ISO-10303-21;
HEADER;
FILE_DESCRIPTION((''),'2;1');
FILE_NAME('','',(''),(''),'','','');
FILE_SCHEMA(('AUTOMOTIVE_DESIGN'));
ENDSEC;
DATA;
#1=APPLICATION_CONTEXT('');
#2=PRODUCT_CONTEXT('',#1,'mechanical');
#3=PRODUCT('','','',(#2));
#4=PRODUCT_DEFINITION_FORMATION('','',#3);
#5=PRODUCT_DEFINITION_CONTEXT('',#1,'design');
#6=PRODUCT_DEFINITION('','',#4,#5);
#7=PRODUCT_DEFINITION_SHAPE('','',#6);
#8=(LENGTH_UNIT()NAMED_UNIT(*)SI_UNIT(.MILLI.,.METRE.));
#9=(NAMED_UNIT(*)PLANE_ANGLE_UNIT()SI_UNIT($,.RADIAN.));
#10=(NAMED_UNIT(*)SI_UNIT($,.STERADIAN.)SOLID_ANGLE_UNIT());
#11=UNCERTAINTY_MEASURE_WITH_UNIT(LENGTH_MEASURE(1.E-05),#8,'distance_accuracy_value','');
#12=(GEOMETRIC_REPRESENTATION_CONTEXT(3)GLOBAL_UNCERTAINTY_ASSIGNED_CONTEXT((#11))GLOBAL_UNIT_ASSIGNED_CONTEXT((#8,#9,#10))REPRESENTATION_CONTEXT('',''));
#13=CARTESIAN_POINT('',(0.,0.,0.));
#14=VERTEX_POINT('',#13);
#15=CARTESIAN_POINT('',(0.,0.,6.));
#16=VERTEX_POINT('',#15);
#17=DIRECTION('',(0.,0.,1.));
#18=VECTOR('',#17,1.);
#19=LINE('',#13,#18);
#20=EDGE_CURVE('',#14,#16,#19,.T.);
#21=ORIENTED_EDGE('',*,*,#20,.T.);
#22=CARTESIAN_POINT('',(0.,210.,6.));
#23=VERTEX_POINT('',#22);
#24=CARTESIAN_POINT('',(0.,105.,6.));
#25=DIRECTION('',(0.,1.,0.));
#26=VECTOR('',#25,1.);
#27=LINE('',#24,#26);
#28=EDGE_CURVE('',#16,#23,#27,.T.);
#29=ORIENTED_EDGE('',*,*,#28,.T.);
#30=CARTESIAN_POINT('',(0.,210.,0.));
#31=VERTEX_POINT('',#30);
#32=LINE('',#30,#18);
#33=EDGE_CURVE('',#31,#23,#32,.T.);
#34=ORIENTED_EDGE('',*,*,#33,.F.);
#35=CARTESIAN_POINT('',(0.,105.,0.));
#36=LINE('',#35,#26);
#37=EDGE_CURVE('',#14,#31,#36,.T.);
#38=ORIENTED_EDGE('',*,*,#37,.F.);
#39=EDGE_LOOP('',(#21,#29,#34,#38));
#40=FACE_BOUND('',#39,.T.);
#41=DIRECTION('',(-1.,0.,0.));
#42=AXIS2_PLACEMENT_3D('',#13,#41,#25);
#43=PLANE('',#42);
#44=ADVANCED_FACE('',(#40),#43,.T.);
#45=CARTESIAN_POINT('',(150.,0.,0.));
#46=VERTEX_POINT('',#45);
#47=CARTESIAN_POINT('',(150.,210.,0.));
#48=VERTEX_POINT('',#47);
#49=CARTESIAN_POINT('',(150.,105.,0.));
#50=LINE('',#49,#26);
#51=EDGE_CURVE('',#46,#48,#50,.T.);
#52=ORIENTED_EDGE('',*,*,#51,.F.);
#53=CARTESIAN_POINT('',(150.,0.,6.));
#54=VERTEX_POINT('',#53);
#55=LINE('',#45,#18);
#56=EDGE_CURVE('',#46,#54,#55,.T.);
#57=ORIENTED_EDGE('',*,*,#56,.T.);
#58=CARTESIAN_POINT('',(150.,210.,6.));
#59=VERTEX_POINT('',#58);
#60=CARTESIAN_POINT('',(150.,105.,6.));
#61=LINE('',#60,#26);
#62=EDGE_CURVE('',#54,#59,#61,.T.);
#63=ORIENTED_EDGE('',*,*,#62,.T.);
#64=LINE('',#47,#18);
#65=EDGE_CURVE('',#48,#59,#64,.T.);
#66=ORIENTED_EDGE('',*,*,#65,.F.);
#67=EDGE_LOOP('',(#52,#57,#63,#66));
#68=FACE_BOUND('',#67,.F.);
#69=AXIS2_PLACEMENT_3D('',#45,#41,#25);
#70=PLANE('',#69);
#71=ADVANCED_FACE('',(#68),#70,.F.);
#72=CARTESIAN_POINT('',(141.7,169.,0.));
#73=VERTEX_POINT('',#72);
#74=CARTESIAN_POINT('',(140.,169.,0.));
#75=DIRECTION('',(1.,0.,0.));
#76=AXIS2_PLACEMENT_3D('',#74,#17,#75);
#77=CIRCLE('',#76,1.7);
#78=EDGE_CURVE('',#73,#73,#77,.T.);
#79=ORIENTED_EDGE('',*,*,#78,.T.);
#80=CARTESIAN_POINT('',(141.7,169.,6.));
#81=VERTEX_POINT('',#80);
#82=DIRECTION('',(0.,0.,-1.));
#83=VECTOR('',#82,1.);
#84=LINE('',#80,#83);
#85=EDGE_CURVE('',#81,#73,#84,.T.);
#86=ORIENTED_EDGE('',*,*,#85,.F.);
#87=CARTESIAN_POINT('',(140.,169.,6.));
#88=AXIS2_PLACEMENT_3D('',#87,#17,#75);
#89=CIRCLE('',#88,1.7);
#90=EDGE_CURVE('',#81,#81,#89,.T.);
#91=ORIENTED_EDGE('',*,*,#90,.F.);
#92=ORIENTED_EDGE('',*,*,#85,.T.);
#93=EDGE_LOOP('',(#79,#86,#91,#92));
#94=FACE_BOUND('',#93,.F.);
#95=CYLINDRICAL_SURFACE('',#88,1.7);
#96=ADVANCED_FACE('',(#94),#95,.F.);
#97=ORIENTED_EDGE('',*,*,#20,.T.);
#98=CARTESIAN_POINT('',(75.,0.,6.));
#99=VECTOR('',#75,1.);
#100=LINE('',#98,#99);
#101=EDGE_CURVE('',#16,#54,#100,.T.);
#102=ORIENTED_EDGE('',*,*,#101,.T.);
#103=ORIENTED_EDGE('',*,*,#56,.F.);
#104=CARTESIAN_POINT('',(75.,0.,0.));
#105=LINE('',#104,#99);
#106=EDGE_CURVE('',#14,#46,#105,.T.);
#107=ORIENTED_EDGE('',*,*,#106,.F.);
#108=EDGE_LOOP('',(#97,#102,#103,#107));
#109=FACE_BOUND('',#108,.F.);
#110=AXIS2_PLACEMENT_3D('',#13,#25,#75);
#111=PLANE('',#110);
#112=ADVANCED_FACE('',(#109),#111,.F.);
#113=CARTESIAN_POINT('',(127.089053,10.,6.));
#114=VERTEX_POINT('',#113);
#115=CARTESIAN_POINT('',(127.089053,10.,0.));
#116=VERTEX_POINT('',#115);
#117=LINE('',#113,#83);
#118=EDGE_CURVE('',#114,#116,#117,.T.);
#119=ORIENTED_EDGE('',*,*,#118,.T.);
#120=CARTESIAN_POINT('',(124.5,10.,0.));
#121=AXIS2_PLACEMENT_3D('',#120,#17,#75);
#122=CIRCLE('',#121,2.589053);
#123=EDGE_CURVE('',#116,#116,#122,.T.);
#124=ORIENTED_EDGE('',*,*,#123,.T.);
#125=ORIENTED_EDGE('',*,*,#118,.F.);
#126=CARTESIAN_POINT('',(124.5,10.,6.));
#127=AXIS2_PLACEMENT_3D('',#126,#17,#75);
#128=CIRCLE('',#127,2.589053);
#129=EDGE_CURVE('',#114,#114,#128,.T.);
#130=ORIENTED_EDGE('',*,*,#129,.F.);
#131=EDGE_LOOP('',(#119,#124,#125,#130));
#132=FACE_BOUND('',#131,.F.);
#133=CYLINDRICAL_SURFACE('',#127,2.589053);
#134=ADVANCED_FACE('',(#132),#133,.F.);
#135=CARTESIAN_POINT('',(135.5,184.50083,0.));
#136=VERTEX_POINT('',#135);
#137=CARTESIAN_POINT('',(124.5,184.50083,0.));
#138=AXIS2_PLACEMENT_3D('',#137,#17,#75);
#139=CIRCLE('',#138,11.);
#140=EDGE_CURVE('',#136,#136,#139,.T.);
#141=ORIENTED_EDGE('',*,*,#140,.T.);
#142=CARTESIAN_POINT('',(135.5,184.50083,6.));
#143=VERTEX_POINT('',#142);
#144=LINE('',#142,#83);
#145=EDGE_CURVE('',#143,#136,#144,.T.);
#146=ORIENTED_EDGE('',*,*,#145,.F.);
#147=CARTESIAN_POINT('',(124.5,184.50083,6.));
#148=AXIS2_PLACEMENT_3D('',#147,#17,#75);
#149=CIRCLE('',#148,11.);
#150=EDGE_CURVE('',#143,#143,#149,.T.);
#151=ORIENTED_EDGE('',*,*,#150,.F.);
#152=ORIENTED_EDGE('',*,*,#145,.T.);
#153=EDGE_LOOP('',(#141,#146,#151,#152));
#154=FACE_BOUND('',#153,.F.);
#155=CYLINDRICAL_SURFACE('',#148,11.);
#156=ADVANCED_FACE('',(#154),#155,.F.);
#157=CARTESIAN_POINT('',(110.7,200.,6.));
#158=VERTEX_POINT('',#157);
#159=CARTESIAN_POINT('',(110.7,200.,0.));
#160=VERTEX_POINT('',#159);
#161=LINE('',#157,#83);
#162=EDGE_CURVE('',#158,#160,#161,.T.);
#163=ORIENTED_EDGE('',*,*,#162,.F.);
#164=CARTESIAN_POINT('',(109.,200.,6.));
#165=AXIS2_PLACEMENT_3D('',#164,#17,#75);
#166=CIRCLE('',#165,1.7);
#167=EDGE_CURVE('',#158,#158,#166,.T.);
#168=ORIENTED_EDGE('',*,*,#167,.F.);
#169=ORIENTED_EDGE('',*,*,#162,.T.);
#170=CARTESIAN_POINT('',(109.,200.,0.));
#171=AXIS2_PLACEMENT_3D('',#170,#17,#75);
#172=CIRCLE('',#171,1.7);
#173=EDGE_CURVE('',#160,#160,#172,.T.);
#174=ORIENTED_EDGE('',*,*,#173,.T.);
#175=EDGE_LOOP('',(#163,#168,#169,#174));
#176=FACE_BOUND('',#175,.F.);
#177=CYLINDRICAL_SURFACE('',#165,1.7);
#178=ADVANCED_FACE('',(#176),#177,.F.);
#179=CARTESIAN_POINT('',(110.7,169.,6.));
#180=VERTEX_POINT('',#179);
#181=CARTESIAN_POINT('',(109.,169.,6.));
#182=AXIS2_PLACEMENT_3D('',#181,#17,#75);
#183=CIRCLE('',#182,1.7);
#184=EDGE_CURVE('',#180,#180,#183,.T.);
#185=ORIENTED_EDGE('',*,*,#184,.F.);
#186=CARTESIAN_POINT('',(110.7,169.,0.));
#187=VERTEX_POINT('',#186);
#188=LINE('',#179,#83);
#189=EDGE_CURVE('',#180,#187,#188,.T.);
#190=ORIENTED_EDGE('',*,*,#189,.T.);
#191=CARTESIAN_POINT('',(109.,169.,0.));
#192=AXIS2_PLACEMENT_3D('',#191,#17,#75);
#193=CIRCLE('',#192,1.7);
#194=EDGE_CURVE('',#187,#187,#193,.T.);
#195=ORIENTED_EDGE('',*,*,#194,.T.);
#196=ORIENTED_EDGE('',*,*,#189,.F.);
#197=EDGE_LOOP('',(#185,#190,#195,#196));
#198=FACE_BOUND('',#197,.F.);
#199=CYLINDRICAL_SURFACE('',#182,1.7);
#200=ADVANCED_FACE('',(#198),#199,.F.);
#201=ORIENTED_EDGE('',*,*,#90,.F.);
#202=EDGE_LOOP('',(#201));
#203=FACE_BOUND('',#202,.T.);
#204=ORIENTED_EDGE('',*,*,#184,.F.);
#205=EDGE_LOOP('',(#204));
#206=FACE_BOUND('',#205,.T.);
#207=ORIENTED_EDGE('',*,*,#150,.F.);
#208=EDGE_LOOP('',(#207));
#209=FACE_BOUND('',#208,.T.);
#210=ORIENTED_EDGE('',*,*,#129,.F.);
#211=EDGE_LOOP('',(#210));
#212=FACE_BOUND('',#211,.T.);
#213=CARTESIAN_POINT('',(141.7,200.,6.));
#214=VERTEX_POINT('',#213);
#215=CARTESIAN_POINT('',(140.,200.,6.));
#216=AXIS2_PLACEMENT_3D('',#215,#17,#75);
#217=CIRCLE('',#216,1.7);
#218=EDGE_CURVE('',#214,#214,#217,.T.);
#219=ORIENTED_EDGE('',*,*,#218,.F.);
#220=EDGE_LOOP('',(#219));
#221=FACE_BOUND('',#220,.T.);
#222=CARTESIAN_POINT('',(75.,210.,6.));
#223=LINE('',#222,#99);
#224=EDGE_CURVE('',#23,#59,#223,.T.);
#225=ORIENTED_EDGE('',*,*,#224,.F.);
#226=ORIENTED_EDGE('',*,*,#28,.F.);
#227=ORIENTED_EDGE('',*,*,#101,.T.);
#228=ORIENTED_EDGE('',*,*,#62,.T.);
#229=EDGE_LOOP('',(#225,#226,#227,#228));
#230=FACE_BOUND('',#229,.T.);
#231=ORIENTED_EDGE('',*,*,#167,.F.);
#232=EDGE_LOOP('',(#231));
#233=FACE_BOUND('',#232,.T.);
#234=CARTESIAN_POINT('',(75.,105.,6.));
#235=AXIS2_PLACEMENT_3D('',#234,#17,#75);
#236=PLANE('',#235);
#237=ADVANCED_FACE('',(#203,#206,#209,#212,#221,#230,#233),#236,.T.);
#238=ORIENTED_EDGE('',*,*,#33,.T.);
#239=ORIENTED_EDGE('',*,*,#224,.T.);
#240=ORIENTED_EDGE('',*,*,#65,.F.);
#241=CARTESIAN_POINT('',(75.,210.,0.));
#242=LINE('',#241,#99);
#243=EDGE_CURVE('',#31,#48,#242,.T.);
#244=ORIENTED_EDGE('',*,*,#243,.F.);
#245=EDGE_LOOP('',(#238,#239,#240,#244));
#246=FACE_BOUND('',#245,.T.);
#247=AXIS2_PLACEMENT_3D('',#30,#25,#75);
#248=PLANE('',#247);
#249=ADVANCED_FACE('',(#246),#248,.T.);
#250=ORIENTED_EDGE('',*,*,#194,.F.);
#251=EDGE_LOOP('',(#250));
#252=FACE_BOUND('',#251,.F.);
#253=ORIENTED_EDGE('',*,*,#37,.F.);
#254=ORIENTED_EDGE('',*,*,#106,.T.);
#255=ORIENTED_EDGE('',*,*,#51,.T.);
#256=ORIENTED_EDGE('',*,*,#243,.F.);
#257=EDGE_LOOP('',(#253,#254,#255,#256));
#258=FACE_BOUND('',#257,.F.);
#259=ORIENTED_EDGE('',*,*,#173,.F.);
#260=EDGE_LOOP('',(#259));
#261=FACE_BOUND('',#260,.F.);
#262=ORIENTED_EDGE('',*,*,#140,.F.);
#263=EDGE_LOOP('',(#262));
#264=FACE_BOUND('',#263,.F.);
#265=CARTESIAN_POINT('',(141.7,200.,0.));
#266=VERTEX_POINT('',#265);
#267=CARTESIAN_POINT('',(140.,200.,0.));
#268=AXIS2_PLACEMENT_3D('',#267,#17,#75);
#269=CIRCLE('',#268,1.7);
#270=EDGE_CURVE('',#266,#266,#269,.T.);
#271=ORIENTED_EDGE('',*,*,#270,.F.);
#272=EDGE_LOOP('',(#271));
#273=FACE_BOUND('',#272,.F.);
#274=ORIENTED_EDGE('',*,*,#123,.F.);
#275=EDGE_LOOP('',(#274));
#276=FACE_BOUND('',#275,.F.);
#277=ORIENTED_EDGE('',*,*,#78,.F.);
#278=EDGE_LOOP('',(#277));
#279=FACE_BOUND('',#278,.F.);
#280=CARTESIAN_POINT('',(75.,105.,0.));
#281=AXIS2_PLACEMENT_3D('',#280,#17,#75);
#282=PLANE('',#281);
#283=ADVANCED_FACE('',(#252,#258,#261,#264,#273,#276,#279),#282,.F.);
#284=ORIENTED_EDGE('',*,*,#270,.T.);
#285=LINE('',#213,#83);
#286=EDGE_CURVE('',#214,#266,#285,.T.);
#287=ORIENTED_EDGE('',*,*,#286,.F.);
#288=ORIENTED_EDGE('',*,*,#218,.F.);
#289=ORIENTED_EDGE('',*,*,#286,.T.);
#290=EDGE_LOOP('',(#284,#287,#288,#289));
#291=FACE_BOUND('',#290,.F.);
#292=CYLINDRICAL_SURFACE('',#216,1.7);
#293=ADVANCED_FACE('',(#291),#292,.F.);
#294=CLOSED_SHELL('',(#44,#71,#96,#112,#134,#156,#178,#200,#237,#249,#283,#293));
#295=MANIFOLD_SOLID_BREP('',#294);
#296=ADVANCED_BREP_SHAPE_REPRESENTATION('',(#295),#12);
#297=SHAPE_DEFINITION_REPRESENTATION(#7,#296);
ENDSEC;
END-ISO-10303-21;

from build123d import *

# Parameters (mm, degrees)
SKETCH_W      = 150
SKETCH_H      = 210
PAD_DEPTH     = 6
SKETCH001_R   = 1.7
SKETCH001_R_2 = 11
SKETCH001_R_3 = 2.589053
POCKET_DEPTH  = 6


with BuildPart() as part:
    # Sketch → Pad (new body)
    with BuildSketch(Plane.XY):
        with Locations((75, 105)):
            Rectangle(SKETCH_W, SKETCH_H)
    extrude(amount=PAD_DEPTH)

    # Sketch001 (on Face6 of Pad) → Pocket (cut)
    with BuildSketch(Plane.XY.offset(6)):
        with Locations((140, 200)):
            Circle(SKETCH001_R)
        with Locations((109, 200)):
            Circle(SKETCH001_R)
        with Locations((109, 169)):
            Circle(SKETCH001_R)
        with Locations((140, 169)):
            Circle(SKETCH001_R)
        with Locations((124.5, 184.50083)):
            Circle(SKETCH001_R_2)
        with Locations((124.5, 10)):
            Circle(SKETCH001_R_3)
    extrude(amount=-POCKET_DEPTH, mode=Mode.SUBTRACT)


solid = part.part
